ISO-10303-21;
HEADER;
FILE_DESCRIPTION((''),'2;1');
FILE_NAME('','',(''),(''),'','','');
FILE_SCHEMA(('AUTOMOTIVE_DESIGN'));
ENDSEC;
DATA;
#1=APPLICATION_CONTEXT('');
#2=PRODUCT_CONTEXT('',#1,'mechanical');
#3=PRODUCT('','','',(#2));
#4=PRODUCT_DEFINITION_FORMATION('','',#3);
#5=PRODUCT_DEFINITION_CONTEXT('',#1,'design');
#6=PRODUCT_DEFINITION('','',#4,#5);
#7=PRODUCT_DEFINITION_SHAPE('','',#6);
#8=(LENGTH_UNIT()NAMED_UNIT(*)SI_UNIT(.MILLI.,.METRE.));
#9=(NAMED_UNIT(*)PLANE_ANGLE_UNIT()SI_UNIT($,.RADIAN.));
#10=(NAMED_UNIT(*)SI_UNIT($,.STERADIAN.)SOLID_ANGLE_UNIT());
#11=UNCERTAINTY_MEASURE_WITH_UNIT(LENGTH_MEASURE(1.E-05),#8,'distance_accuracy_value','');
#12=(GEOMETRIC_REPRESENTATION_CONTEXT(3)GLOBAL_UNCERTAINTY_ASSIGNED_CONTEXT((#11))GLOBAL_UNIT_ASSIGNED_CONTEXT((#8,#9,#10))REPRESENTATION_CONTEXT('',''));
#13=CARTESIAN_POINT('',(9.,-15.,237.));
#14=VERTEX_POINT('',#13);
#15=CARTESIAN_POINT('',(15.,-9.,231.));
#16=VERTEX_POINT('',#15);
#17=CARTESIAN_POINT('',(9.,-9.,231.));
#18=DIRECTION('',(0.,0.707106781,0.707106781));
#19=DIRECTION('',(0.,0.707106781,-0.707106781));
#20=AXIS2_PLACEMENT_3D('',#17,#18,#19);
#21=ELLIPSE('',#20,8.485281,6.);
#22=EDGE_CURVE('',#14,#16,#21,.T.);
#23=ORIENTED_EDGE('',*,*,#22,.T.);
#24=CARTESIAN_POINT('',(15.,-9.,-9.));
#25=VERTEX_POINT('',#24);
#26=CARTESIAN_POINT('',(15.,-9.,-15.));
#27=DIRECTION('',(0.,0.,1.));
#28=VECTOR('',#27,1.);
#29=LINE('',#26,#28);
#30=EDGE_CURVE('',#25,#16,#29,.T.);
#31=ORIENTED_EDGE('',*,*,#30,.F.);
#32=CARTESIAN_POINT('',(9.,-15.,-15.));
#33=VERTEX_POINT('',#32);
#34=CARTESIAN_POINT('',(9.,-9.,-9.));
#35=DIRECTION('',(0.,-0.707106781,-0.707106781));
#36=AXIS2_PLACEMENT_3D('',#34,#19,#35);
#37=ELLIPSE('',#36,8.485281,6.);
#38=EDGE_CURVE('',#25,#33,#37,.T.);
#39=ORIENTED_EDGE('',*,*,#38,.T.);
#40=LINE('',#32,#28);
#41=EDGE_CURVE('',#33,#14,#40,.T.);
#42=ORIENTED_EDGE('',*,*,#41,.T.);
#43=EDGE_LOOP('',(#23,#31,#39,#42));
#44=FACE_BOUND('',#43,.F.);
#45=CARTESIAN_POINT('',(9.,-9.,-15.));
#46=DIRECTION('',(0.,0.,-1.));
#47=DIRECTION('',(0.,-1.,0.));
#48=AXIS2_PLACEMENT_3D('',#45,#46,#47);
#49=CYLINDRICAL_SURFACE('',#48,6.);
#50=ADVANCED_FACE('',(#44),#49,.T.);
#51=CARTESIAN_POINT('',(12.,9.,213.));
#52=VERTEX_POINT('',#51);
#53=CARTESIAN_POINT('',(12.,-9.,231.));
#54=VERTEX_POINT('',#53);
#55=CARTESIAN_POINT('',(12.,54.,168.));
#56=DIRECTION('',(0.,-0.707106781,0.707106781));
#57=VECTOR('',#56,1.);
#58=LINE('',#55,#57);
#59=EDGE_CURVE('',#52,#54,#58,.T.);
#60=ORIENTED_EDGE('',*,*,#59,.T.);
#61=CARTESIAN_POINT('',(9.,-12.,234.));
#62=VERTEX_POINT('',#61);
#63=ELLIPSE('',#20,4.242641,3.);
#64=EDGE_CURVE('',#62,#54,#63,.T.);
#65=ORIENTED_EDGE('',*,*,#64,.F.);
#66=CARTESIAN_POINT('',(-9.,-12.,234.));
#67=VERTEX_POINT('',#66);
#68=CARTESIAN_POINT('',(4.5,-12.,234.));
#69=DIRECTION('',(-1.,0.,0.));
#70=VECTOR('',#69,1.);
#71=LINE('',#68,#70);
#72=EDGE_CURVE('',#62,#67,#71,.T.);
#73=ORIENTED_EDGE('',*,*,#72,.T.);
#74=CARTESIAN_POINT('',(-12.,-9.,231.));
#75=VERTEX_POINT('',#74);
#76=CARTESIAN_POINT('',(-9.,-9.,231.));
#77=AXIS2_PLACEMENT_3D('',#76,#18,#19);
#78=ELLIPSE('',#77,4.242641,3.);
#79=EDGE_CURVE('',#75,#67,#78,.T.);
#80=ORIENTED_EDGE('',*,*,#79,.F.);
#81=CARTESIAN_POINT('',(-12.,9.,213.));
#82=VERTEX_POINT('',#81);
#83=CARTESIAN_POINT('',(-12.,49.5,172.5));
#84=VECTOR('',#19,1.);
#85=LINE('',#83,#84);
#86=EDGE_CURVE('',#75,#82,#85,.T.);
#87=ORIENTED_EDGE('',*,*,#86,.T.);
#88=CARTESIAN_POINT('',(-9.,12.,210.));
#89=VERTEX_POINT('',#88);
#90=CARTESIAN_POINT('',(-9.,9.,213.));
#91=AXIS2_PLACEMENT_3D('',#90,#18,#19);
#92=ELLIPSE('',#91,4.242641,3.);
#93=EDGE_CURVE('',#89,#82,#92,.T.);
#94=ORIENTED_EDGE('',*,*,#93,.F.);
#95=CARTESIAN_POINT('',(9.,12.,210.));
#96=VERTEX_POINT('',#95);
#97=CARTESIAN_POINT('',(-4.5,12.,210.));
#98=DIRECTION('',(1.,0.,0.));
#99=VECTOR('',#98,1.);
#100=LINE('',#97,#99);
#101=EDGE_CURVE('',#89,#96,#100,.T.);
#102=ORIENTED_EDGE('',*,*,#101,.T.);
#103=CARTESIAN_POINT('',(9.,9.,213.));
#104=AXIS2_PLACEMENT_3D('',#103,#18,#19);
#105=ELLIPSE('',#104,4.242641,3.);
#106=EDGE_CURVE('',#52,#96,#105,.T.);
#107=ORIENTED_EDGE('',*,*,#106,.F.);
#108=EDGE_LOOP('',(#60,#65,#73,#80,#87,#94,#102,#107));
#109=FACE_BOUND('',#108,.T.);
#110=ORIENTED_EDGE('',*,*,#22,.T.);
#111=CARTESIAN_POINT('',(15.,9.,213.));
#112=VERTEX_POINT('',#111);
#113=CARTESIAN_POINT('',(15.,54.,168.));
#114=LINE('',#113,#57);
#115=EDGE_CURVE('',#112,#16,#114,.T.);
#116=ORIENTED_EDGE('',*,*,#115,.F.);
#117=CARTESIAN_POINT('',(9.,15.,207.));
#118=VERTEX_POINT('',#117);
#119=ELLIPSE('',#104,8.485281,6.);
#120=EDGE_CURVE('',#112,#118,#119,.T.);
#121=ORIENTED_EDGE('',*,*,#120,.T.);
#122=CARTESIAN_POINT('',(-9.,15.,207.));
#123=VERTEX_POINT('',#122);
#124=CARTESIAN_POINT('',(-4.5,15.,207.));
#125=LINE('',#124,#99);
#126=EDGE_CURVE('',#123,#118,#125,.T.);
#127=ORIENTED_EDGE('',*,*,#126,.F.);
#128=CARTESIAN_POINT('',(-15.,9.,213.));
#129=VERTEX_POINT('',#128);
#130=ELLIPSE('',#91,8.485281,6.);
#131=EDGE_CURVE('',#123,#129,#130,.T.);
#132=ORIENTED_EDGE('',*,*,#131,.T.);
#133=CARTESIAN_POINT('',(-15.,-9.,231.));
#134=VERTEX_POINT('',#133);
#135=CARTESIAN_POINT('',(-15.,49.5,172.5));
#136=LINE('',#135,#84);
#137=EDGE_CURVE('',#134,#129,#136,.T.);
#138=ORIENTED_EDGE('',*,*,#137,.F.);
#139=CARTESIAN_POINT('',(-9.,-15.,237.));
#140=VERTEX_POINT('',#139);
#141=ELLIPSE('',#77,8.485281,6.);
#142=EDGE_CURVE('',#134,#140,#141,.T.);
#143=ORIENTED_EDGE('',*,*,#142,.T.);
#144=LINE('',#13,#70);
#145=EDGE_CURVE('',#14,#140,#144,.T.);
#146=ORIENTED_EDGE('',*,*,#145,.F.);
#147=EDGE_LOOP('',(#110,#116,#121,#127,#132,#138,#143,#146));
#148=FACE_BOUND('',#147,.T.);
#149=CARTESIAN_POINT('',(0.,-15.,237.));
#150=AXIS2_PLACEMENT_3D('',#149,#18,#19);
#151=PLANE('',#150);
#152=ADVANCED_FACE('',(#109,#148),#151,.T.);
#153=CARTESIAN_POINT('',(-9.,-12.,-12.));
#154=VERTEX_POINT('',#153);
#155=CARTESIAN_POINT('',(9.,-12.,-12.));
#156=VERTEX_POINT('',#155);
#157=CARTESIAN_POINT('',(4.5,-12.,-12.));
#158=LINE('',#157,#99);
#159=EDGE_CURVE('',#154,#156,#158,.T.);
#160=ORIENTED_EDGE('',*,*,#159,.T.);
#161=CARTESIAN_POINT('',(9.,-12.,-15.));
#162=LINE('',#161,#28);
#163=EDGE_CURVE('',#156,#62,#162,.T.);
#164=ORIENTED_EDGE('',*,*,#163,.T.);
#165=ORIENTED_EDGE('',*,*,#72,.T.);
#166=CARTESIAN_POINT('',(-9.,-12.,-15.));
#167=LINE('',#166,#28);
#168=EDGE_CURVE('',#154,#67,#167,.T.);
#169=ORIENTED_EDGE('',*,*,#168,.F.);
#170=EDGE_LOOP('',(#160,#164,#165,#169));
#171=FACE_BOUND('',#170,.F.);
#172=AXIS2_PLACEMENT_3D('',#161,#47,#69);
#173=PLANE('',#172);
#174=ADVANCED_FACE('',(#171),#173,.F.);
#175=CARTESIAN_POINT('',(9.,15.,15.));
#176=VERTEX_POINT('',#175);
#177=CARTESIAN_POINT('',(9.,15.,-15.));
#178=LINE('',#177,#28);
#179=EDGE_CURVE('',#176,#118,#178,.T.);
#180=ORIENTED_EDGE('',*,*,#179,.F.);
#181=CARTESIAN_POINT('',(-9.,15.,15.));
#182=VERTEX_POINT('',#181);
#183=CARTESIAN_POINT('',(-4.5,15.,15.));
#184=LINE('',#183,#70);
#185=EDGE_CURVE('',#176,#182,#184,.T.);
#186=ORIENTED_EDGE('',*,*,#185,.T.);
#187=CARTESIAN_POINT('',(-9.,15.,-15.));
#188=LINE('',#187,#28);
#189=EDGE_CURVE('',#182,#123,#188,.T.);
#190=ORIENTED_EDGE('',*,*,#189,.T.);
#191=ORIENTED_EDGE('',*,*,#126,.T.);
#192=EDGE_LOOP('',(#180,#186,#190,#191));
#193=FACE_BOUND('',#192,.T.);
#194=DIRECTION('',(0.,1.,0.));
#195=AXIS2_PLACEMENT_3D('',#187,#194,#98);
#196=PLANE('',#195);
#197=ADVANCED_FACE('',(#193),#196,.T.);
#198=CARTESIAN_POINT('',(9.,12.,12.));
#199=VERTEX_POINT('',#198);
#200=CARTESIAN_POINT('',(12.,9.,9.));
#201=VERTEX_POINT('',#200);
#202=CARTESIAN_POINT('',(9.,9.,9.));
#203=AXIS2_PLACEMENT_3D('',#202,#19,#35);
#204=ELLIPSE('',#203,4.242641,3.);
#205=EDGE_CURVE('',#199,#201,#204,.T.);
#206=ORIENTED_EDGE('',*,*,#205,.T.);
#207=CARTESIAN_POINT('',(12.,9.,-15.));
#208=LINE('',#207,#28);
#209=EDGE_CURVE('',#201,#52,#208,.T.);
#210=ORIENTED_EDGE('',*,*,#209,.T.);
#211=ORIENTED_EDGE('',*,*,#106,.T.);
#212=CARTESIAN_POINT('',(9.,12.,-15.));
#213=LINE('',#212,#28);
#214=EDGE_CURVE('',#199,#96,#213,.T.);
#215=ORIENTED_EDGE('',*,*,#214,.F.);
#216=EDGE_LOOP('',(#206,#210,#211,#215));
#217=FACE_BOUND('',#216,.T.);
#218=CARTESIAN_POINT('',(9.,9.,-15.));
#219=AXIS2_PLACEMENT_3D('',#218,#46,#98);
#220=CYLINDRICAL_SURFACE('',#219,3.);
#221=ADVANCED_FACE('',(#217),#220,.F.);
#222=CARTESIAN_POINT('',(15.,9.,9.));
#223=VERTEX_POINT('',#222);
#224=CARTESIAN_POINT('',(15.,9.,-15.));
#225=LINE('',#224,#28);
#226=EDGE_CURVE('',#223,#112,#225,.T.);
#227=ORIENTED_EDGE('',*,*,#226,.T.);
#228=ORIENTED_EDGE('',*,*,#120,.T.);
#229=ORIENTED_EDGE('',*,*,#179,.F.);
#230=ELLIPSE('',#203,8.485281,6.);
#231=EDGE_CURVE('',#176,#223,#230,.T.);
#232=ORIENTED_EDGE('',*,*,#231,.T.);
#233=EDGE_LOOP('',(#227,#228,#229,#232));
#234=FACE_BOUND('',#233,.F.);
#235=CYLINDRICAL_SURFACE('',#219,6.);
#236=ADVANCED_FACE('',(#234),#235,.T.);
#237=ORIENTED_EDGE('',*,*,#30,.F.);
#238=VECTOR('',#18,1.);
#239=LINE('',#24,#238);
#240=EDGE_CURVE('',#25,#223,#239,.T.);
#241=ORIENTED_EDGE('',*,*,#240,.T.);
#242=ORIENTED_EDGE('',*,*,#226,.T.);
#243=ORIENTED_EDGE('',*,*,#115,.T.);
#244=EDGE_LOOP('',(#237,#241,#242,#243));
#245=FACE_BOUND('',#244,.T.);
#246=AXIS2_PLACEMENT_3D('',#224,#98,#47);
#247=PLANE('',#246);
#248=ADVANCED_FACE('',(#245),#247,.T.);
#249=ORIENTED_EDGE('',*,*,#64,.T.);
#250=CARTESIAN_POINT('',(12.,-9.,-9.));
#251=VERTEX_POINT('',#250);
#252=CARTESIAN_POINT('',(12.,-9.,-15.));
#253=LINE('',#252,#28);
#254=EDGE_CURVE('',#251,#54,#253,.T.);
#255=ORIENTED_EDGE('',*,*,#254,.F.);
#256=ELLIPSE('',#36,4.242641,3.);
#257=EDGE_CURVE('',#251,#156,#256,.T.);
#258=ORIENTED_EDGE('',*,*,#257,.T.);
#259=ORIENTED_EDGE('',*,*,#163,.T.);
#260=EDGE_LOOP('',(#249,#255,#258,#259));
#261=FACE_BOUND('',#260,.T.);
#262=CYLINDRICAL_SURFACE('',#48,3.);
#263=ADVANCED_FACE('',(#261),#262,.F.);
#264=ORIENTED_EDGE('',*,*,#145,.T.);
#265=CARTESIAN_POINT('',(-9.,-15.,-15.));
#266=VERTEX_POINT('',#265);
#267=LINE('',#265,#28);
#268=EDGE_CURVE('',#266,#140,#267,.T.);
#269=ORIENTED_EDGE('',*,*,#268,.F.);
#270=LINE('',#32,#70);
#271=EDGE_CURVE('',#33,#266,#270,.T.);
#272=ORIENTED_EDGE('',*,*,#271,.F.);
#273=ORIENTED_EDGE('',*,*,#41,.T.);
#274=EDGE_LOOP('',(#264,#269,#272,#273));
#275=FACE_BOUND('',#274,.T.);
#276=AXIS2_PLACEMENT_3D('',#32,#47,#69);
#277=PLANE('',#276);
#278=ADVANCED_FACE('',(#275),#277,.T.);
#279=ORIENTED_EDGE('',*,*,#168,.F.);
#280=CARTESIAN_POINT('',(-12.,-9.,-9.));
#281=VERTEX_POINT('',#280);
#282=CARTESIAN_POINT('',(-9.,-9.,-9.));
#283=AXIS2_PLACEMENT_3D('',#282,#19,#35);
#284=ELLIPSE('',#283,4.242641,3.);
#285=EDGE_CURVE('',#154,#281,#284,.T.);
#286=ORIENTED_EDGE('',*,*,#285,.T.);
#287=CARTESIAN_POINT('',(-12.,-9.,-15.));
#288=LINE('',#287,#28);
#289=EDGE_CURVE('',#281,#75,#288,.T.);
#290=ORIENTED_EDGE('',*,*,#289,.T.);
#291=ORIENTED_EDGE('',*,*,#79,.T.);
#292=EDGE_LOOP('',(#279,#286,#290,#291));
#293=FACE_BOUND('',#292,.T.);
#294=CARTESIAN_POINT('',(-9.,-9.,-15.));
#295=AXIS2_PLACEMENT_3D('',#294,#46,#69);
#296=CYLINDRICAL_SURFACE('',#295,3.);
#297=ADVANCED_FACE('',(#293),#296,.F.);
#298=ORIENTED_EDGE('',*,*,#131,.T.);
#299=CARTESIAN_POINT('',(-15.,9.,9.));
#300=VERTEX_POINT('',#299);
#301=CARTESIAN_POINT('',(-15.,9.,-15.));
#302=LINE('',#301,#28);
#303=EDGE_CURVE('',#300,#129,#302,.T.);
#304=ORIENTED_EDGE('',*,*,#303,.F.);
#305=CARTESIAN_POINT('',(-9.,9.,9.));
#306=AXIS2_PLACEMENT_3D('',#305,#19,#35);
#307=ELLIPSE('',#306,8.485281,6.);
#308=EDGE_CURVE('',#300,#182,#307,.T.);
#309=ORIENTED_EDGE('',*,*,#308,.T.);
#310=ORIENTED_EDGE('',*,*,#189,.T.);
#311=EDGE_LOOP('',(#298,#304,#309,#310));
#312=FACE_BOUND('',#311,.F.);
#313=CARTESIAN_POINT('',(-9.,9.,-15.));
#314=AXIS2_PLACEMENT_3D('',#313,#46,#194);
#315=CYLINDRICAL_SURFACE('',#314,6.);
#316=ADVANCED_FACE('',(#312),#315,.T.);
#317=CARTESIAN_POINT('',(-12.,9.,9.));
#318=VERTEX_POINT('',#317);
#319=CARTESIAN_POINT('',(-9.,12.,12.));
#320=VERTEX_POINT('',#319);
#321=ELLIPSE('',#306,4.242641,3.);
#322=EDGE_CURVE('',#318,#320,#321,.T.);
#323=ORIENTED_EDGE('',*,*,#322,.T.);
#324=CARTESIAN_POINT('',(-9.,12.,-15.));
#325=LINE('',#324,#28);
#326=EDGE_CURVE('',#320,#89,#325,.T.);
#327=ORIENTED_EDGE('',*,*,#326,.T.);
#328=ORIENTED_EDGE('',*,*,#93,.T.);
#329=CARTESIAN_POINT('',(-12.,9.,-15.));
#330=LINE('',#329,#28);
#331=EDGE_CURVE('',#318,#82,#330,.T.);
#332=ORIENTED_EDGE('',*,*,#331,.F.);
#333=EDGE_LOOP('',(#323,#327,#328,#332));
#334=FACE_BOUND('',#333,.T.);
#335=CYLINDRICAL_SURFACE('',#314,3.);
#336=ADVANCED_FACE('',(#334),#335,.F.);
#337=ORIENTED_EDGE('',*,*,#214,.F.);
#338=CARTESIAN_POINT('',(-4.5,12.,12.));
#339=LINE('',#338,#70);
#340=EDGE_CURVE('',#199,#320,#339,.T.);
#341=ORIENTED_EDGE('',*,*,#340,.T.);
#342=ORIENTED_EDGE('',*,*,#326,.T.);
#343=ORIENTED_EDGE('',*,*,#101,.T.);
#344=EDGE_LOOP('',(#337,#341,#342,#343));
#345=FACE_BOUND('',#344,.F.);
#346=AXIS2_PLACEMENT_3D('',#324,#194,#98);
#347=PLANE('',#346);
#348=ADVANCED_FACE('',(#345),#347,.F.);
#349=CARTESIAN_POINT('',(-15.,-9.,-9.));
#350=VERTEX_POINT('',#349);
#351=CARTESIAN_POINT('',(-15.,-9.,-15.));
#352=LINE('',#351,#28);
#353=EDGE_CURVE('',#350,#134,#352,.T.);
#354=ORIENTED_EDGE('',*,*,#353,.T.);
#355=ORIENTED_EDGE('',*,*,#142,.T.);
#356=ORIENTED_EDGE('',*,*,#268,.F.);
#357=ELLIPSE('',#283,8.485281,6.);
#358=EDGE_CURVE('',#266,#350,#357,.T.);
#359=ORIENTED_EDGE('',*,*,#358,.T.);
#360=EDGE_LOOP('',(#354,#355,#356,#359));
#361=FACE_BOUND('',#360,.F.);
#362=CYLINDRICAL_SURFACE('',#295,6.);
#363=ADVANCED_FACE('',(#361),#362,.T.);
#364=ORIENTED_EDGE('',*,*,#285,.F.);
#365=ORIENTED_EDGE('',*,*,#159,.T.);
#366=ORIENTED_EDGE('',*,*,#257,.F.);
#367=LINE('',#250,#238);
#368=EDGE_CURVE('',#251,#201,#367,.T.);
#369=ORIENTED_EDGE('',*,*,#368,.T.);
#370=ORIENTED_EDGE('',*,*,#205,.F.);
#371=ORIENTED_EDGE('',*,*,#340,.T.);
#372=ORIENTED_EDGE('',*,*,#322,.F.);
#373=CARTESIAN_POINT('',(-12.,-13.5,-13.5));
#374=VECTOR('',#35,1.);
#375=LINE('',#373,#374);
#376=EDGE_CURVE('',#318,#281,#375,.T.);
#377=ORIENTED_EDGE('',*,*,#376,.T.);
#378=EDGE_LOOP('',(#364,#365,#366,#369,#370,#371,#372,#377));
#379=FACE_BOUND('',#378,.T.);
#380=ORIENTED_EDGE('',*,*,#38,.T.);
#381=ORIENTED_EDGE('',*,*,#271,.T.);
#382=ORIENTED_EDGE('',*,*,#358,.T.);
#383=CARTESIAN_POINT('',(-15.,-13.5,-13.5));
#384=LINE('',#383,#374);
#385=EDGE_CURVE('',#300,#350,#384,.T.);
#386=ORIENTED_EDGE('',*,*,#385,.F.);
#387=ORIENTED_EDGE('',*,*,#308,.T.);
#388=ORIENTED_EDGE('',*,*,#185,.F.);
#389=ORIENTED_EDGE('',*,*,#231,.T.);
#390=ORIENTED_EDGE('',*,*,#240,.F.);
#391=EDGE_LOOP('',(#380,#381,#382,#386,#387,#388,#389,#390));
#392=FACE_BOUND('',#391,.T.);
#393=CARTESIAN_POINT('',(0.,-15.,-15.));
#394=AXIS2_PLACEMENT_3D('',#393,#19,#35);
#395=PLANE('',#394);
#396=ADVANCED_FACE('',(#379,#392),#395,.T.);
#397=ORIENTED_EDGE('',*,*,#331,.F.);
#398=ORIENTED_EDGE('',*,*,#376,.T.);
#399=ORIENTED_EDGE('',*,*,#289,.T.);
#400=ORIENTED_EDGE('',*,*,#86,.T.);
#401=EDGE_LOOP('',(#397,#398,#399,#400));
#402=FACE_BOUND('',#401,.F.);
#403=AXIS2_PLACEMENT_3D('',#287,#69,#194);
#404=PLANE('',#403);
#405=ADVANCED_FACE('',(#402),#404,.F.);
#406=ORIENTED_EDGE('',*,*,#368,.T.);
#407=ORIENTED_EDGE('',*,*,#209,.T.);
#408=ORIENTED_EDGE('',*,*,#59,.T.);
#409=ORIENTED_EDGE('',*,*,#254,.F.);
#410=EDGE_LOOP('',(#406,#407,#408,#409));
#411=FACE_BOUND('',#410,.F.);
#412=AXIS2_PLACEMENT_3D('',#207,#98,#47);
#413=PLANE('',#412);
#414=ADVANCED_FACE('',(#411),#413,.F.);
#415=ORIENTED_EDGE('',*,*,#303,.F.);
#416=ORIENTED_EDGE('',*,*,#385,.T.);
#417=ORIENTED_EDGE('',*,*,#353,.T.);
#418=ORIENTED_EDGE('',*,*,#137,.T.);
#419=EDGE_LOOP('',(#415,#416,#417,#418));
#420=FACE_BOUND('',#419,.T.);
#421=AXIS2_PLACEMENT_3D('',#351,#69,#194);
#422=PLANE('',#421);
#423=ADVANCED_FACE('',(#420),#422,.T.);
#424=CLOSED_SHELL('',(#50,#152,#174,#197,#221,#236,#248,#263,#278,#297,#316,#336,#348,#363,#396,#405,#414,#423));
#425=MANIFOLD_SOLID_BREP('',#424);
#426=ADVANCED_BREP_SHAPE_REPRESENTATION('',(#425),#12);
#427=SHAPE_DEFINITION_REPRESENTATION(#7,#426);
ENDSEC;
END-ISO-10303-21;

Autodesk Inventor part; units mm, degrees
ref_plane "Start Plane" through (0, 0, -15) normal (0, 0, 1) x (1, 0, 0)
ref_plane "End Plane" through (0, 0, 237) normal (0, 0, 1) x (1, 0, 0)
sketch "Sketch" plane through (0, 0, 0) normal (0, 0, 1) x (1, 0, 0)
  line L0 (-15, -9) -> (-15, 9)
  line L1 (-9, 15) -> (9, 15)
  line L2 (15, 9) -> (15, -9)
  line L3 (9, -15) -> (-9, -15)
  arc A0 (-15, -9) -> (-9, -15) centre (-9, -9) ccw
  arc A1 (-9, 15) -> (-15, 9) centre (-9, 9) ccw
  arc A2 (15, 9) -> (9, 15) centre (9, 9) ccw
  arc A3 (9, -15) -> (15, -9) centre (9, -9) ccw
  arc A4 (-9, 12) -> (-12, 9) centre (-9, 9) ccw
  line L4 (-9, 12) -> (9, 12)
  arc A5 (12, 9) -> (9, 12) centre (9, 9) ccw
  line L5 (12, 9) -> (12, -9)
  arc A6 (9, -12) -> (12, -9) centre (9, -9) ccw
  line L6 (9, -12) -> (-9, -12)
  arc A7 (-12, -9) -> (-9, -12) centre (-9, -9) ccw
  line L7 (-12, -9) -> (-12, 9)
  line L8 (0, 22.7397) -> (0, -22.7397) construction
  line L9 (-22.7397, 0) -> (22.7397, 0) construction
  dimension "d7" = 6
  dimension "d10" = 30
  dimension "d11" = 30
  dimension "d12" = 3
  dimension "d15" = 15
  dimension "d16" = 15
extrude "Body" add sketch "Sketch" along normal up to surface (252 mm away) from surface at -15
sketch "Sketch3" plane through (0, 0, 0) normal (0, 0, 1) x (1, 0, 0)
  line L0 (0, 0) -> (10, 0)
ref_plane "Work Plane3" through (0, 0, 0) normal (0, -1, 0) x (1, 0, 0)
ref_plane "Work Plane4" through (0, -15, 237) normal (0, 0.7071, 0.7071) x (1, 0, 0)
split "Split1" plane through (0, -15, 237) removes the side toward (0, 0.7071, 0.7071)
ref_plane "Work Plane5" through (0, -15, -15) normal (0, 0.7071, -0.7071) x (1, 0, 0)
split "Split2" plane through (0, -15, -15) removes the side toward (0, 0.7071, -0.7071)
sketch "Sketch4" plane through (0, 0, 0) normal (0, -1, 0) x (1, 0, 0)
  line L0 (-2, -15) -> (12, -15) projected
  line L1 (-2, 237) -> (12, 237) projected
  dimension "d18" = 252
equation "\"d7\" = G_IR"
equation "\"d10\" = G_H"
equation "\"d11\" = G_W"
equation "\"d12\" = G_T"
equation "\"d15\" = 0.5 * d10"
equation "\"d16\" = 0.5 * d11"
equation "\"d3\" = G_L"
equation "\"G_W\" = 30"
equation "\"G_H\" = 30"
equation "\"G_T\" = 3"
equation "\"G_IR\" = 6"
equation "\"G_L\" = d18"
equation "\"G_OFFSET_START\" = 15"
equation "\"G_OFFSET_END\" = 15"
equation "\"d13\" = -G_OFFSET_START"
equation "\"d14\" = G_OFFSET_END + B_L"
equation "\"B_L\" = 222"
properties part number "DIN EN 10219-2 - 30 x 30 x 3  - 252" material "Steel, Mild"
